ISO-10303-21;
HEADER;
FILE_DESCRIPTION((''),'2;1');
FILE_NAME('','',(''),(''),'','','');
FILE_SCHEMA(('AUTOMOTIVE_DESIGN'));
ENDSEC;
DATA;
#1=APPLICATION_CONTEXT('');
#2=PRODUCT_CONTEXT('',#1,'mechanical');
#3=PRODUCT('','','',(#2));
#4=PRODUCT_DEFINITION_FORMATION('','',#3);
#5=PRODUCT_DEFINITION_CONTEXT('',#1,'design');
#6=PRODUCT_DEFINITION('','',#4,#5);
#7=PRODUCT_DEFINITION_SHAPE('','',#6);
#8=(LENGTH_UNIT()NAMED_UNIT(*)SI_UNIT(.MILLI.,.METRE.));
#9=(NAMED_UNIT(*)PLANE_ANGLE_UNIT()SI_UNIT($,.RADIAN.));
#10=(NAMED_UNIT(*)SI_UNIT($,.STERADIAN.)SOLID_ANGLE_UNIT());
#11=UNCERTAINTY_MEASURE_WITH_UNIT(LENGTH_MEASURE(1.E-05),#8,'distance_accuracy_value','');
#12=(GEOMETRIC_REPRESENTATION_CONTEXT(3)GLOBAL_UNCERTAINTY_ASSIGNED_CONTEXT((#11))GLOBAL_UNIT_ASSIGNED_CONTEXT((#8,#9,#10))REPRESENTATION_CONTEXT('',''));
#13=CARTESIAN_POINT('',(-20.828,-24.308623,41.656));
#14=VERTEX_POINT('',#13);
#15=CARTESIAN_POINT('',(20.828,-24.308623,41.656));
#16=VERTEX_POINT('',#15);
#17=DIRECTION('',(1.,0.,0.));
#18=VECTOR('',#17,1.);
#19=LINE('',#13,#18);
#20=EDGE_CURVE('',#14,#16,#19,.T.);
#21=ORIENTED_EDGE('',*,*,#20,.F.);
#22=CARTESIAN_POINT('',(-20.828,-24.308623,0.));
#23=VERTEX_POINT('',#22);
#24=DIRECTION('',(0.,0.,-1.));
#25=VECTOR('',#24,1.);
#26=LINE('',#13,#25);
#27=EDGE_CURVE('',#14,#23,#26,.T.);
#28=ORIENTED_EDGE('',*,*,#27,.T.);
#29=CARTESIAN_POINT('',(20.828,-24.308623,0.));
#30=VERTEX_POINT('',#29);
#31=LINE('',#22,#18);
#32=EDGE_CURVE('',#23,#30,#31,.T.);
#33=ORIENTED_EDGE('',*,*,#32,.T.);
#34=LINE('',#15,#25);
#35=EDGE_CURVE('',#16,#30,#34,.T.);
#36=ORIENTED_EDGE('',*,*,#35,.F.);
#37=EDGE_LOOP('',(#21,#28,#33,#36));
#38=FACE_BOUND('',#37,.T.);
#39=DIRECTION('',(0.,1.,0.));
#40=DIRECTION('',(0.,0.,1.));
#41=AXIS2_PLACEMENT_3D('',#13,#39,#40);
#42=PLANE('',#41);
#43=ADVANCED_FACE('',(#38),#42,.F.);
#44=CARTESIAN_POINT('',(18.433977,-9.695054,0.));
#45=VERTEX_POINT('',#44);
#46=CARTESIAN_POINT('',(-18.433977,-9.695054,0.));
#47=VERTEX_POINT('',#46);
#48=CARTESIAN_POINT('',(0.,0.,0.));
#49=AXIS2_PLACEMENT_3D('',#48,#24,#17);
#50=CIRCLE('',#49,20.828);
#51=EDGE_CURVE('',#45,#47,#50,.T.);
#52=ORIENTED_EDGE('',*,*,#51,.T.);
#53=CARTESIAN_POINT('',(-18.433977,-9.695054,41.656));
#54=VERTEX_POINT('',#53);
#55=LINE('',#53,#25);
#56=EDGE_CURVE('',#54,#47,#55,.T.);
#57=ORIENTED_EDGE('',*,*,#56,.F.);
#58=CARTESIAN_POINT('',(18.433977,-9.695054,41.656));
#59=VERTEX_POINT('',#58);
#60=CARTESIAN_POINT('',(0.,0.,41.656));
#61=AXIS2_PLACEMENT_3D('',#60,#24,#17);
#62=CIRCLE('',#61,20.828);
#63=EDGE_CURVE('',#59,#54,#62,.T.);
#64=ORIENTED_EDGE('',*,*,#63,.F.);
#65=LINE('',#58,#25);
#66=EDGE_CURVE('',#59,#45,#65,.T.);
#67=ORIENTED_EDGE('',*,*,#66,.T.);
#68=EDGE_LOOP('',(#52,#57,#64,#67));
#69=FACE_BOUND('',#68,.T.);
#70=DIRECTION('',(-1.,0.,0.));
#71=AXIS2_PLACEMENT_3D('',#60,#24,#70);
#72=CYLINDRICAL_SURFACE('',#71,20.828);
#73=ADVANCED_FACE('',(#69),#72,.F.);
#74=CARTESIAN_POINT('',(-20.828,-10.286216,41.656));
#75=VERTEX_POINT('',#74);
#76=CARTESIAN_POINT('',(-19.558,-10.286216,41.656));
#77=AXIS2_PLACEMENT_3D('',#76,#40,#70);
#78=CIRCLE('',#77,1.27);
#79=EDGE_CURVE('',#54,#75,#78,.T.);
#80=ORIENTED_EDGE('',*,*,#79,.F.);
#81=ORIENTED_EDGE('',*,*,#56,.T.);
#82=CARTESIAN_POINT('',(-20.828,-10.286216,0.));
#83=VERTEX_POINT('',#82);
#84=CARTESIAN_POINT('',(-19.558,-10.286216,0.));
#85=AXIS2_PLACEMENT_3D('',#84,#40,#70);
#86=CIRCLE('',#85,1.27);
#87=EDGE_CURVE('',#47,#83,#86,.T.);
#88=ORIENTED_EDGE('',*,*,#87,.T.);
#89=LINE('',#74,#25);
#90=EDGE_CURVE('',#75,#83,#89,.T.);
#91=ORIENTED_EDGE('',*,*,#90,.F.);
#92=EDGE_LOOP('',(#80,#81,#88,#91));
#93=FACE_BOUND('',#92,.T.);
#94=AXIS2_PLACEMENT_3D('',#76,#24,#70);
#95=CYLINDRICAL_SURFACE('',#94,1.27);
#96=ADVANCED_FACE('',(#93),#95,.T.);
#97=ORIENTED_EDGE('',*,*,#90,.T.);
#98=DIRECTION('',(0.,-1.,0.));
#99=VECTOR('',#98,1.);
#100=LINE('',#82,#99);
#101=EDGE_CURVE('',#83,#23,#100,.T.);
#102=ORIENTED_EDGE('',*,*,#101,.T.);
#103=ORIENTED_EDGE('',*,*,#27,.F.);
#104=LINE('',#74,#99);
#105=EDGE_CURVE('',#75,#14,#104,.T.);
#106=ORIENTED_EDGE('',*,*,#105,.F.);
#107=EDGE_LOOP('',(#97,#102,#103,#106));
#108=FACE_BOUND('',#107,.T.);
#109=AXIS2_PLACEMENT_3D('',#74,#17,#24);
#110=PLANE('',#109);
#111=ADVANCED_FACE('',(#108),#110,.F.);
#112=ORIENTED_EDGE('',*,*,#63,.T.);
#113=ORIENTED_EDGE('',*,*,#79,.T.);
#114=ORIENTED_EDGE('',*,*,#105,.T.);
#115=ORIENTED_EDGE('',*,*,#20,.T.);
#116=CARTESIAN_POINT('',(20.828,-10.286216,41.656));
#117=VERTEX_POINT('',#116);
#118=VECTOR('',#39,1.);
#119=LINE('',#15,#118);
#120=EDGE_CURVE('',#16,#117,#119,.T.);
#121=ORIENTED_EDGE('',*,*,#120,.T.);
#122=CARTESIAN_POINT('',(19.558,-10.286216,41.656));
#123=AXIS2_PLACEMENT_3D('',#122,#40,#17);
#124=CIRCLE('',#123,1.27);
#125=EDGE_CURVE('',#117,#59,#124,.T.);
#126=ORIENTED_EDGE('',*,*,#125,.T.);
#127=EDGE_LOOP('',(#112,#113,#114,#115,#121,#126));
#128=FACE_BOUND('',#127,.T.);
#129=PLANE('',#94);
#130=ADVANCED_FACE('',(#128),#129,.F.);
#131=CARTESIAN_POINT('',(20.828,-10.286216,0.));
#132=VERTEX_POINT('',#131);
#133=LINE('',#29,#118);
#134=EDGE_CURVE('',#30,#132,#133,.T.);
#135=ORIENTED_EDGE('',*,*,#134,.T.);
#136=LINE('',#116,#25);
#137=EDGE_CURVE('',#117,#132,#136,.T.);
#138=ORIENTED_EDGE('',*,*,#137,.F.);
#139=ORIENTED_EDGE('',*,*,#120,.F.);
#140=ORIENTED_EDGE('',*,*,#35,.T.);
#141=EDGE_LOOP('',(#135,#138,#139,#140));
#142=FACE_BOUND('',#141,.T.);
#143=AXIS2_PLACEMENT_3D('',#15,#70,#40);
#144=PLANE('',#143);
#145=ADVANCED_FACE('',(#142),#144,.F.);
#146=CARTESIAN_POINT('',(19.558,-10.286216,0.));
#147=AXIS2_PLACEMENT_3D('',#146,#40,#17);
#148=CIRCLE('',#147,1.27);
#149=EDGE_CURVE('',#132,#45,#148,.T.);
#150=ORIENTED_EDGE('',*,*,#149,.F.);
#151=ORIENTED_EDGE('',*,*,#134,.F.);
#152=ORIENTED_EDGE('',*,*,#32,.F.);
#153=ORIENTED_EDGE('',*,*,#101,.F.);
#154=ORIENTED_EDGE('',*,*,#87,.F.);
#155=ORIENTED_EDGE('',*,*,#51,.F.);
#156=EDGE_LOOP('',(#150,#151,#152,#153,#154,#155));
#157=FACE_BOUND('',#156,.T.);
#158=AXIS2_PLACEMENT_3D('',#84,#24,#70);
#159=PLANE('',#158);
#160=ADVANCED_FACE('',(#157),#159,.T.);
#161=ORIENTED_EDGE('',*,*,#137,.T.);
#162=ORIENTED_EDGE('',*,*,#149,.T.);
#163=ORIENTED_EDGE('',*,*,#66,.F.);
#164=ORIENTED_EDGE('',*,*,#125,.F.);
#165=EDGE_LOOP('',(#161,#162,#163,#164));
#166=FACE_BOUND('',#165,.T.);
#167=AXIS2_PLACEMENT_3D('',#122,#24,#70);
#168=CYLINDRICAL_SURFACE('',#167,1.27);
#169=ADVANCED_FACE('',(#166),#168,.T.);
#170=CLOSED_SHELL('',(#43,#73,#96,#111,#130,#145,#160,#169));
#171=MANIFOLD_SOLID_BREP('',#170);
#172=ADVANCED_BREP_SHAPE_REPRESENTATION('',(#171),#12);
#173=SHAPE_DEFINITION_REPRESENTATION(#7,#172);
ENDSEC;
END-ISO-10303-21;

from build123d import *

# Parameters (mm, degrees)
BOSS_EXTRUDE1_DEPTH = 41.656


with BuildPart() as part:
    # Sketch1 → Boss-Extrude1 (new body)
    with BuildSketch(Plane.XY):
        with BuildLine():
            Line((-20.828, -10.28621602), (-20.828, -24.308623206))
            Line((-20.828, -24.308623206), (20.828, -24.308623206))
            Line((20.828, -24.308623206), (20.828, -10.28621602))
            ThreePointArc((20.828, -10.28621602), (19.862459196, -9.053250246), (18.433977011, -9.695054179))
            ThreePointArc((18.433977011, -9.695054179), (0, -20.828), (-18.433977011, -9.695054179))
            ThreePointArc((-18.433977011, -9.695054179), (-19.862459196, -9.053250246), (-20.828, -10.28621602))
        make_face()
    extrude(amount=BOSS_EXTRUDE1_DEPTH)


solid = part.part
